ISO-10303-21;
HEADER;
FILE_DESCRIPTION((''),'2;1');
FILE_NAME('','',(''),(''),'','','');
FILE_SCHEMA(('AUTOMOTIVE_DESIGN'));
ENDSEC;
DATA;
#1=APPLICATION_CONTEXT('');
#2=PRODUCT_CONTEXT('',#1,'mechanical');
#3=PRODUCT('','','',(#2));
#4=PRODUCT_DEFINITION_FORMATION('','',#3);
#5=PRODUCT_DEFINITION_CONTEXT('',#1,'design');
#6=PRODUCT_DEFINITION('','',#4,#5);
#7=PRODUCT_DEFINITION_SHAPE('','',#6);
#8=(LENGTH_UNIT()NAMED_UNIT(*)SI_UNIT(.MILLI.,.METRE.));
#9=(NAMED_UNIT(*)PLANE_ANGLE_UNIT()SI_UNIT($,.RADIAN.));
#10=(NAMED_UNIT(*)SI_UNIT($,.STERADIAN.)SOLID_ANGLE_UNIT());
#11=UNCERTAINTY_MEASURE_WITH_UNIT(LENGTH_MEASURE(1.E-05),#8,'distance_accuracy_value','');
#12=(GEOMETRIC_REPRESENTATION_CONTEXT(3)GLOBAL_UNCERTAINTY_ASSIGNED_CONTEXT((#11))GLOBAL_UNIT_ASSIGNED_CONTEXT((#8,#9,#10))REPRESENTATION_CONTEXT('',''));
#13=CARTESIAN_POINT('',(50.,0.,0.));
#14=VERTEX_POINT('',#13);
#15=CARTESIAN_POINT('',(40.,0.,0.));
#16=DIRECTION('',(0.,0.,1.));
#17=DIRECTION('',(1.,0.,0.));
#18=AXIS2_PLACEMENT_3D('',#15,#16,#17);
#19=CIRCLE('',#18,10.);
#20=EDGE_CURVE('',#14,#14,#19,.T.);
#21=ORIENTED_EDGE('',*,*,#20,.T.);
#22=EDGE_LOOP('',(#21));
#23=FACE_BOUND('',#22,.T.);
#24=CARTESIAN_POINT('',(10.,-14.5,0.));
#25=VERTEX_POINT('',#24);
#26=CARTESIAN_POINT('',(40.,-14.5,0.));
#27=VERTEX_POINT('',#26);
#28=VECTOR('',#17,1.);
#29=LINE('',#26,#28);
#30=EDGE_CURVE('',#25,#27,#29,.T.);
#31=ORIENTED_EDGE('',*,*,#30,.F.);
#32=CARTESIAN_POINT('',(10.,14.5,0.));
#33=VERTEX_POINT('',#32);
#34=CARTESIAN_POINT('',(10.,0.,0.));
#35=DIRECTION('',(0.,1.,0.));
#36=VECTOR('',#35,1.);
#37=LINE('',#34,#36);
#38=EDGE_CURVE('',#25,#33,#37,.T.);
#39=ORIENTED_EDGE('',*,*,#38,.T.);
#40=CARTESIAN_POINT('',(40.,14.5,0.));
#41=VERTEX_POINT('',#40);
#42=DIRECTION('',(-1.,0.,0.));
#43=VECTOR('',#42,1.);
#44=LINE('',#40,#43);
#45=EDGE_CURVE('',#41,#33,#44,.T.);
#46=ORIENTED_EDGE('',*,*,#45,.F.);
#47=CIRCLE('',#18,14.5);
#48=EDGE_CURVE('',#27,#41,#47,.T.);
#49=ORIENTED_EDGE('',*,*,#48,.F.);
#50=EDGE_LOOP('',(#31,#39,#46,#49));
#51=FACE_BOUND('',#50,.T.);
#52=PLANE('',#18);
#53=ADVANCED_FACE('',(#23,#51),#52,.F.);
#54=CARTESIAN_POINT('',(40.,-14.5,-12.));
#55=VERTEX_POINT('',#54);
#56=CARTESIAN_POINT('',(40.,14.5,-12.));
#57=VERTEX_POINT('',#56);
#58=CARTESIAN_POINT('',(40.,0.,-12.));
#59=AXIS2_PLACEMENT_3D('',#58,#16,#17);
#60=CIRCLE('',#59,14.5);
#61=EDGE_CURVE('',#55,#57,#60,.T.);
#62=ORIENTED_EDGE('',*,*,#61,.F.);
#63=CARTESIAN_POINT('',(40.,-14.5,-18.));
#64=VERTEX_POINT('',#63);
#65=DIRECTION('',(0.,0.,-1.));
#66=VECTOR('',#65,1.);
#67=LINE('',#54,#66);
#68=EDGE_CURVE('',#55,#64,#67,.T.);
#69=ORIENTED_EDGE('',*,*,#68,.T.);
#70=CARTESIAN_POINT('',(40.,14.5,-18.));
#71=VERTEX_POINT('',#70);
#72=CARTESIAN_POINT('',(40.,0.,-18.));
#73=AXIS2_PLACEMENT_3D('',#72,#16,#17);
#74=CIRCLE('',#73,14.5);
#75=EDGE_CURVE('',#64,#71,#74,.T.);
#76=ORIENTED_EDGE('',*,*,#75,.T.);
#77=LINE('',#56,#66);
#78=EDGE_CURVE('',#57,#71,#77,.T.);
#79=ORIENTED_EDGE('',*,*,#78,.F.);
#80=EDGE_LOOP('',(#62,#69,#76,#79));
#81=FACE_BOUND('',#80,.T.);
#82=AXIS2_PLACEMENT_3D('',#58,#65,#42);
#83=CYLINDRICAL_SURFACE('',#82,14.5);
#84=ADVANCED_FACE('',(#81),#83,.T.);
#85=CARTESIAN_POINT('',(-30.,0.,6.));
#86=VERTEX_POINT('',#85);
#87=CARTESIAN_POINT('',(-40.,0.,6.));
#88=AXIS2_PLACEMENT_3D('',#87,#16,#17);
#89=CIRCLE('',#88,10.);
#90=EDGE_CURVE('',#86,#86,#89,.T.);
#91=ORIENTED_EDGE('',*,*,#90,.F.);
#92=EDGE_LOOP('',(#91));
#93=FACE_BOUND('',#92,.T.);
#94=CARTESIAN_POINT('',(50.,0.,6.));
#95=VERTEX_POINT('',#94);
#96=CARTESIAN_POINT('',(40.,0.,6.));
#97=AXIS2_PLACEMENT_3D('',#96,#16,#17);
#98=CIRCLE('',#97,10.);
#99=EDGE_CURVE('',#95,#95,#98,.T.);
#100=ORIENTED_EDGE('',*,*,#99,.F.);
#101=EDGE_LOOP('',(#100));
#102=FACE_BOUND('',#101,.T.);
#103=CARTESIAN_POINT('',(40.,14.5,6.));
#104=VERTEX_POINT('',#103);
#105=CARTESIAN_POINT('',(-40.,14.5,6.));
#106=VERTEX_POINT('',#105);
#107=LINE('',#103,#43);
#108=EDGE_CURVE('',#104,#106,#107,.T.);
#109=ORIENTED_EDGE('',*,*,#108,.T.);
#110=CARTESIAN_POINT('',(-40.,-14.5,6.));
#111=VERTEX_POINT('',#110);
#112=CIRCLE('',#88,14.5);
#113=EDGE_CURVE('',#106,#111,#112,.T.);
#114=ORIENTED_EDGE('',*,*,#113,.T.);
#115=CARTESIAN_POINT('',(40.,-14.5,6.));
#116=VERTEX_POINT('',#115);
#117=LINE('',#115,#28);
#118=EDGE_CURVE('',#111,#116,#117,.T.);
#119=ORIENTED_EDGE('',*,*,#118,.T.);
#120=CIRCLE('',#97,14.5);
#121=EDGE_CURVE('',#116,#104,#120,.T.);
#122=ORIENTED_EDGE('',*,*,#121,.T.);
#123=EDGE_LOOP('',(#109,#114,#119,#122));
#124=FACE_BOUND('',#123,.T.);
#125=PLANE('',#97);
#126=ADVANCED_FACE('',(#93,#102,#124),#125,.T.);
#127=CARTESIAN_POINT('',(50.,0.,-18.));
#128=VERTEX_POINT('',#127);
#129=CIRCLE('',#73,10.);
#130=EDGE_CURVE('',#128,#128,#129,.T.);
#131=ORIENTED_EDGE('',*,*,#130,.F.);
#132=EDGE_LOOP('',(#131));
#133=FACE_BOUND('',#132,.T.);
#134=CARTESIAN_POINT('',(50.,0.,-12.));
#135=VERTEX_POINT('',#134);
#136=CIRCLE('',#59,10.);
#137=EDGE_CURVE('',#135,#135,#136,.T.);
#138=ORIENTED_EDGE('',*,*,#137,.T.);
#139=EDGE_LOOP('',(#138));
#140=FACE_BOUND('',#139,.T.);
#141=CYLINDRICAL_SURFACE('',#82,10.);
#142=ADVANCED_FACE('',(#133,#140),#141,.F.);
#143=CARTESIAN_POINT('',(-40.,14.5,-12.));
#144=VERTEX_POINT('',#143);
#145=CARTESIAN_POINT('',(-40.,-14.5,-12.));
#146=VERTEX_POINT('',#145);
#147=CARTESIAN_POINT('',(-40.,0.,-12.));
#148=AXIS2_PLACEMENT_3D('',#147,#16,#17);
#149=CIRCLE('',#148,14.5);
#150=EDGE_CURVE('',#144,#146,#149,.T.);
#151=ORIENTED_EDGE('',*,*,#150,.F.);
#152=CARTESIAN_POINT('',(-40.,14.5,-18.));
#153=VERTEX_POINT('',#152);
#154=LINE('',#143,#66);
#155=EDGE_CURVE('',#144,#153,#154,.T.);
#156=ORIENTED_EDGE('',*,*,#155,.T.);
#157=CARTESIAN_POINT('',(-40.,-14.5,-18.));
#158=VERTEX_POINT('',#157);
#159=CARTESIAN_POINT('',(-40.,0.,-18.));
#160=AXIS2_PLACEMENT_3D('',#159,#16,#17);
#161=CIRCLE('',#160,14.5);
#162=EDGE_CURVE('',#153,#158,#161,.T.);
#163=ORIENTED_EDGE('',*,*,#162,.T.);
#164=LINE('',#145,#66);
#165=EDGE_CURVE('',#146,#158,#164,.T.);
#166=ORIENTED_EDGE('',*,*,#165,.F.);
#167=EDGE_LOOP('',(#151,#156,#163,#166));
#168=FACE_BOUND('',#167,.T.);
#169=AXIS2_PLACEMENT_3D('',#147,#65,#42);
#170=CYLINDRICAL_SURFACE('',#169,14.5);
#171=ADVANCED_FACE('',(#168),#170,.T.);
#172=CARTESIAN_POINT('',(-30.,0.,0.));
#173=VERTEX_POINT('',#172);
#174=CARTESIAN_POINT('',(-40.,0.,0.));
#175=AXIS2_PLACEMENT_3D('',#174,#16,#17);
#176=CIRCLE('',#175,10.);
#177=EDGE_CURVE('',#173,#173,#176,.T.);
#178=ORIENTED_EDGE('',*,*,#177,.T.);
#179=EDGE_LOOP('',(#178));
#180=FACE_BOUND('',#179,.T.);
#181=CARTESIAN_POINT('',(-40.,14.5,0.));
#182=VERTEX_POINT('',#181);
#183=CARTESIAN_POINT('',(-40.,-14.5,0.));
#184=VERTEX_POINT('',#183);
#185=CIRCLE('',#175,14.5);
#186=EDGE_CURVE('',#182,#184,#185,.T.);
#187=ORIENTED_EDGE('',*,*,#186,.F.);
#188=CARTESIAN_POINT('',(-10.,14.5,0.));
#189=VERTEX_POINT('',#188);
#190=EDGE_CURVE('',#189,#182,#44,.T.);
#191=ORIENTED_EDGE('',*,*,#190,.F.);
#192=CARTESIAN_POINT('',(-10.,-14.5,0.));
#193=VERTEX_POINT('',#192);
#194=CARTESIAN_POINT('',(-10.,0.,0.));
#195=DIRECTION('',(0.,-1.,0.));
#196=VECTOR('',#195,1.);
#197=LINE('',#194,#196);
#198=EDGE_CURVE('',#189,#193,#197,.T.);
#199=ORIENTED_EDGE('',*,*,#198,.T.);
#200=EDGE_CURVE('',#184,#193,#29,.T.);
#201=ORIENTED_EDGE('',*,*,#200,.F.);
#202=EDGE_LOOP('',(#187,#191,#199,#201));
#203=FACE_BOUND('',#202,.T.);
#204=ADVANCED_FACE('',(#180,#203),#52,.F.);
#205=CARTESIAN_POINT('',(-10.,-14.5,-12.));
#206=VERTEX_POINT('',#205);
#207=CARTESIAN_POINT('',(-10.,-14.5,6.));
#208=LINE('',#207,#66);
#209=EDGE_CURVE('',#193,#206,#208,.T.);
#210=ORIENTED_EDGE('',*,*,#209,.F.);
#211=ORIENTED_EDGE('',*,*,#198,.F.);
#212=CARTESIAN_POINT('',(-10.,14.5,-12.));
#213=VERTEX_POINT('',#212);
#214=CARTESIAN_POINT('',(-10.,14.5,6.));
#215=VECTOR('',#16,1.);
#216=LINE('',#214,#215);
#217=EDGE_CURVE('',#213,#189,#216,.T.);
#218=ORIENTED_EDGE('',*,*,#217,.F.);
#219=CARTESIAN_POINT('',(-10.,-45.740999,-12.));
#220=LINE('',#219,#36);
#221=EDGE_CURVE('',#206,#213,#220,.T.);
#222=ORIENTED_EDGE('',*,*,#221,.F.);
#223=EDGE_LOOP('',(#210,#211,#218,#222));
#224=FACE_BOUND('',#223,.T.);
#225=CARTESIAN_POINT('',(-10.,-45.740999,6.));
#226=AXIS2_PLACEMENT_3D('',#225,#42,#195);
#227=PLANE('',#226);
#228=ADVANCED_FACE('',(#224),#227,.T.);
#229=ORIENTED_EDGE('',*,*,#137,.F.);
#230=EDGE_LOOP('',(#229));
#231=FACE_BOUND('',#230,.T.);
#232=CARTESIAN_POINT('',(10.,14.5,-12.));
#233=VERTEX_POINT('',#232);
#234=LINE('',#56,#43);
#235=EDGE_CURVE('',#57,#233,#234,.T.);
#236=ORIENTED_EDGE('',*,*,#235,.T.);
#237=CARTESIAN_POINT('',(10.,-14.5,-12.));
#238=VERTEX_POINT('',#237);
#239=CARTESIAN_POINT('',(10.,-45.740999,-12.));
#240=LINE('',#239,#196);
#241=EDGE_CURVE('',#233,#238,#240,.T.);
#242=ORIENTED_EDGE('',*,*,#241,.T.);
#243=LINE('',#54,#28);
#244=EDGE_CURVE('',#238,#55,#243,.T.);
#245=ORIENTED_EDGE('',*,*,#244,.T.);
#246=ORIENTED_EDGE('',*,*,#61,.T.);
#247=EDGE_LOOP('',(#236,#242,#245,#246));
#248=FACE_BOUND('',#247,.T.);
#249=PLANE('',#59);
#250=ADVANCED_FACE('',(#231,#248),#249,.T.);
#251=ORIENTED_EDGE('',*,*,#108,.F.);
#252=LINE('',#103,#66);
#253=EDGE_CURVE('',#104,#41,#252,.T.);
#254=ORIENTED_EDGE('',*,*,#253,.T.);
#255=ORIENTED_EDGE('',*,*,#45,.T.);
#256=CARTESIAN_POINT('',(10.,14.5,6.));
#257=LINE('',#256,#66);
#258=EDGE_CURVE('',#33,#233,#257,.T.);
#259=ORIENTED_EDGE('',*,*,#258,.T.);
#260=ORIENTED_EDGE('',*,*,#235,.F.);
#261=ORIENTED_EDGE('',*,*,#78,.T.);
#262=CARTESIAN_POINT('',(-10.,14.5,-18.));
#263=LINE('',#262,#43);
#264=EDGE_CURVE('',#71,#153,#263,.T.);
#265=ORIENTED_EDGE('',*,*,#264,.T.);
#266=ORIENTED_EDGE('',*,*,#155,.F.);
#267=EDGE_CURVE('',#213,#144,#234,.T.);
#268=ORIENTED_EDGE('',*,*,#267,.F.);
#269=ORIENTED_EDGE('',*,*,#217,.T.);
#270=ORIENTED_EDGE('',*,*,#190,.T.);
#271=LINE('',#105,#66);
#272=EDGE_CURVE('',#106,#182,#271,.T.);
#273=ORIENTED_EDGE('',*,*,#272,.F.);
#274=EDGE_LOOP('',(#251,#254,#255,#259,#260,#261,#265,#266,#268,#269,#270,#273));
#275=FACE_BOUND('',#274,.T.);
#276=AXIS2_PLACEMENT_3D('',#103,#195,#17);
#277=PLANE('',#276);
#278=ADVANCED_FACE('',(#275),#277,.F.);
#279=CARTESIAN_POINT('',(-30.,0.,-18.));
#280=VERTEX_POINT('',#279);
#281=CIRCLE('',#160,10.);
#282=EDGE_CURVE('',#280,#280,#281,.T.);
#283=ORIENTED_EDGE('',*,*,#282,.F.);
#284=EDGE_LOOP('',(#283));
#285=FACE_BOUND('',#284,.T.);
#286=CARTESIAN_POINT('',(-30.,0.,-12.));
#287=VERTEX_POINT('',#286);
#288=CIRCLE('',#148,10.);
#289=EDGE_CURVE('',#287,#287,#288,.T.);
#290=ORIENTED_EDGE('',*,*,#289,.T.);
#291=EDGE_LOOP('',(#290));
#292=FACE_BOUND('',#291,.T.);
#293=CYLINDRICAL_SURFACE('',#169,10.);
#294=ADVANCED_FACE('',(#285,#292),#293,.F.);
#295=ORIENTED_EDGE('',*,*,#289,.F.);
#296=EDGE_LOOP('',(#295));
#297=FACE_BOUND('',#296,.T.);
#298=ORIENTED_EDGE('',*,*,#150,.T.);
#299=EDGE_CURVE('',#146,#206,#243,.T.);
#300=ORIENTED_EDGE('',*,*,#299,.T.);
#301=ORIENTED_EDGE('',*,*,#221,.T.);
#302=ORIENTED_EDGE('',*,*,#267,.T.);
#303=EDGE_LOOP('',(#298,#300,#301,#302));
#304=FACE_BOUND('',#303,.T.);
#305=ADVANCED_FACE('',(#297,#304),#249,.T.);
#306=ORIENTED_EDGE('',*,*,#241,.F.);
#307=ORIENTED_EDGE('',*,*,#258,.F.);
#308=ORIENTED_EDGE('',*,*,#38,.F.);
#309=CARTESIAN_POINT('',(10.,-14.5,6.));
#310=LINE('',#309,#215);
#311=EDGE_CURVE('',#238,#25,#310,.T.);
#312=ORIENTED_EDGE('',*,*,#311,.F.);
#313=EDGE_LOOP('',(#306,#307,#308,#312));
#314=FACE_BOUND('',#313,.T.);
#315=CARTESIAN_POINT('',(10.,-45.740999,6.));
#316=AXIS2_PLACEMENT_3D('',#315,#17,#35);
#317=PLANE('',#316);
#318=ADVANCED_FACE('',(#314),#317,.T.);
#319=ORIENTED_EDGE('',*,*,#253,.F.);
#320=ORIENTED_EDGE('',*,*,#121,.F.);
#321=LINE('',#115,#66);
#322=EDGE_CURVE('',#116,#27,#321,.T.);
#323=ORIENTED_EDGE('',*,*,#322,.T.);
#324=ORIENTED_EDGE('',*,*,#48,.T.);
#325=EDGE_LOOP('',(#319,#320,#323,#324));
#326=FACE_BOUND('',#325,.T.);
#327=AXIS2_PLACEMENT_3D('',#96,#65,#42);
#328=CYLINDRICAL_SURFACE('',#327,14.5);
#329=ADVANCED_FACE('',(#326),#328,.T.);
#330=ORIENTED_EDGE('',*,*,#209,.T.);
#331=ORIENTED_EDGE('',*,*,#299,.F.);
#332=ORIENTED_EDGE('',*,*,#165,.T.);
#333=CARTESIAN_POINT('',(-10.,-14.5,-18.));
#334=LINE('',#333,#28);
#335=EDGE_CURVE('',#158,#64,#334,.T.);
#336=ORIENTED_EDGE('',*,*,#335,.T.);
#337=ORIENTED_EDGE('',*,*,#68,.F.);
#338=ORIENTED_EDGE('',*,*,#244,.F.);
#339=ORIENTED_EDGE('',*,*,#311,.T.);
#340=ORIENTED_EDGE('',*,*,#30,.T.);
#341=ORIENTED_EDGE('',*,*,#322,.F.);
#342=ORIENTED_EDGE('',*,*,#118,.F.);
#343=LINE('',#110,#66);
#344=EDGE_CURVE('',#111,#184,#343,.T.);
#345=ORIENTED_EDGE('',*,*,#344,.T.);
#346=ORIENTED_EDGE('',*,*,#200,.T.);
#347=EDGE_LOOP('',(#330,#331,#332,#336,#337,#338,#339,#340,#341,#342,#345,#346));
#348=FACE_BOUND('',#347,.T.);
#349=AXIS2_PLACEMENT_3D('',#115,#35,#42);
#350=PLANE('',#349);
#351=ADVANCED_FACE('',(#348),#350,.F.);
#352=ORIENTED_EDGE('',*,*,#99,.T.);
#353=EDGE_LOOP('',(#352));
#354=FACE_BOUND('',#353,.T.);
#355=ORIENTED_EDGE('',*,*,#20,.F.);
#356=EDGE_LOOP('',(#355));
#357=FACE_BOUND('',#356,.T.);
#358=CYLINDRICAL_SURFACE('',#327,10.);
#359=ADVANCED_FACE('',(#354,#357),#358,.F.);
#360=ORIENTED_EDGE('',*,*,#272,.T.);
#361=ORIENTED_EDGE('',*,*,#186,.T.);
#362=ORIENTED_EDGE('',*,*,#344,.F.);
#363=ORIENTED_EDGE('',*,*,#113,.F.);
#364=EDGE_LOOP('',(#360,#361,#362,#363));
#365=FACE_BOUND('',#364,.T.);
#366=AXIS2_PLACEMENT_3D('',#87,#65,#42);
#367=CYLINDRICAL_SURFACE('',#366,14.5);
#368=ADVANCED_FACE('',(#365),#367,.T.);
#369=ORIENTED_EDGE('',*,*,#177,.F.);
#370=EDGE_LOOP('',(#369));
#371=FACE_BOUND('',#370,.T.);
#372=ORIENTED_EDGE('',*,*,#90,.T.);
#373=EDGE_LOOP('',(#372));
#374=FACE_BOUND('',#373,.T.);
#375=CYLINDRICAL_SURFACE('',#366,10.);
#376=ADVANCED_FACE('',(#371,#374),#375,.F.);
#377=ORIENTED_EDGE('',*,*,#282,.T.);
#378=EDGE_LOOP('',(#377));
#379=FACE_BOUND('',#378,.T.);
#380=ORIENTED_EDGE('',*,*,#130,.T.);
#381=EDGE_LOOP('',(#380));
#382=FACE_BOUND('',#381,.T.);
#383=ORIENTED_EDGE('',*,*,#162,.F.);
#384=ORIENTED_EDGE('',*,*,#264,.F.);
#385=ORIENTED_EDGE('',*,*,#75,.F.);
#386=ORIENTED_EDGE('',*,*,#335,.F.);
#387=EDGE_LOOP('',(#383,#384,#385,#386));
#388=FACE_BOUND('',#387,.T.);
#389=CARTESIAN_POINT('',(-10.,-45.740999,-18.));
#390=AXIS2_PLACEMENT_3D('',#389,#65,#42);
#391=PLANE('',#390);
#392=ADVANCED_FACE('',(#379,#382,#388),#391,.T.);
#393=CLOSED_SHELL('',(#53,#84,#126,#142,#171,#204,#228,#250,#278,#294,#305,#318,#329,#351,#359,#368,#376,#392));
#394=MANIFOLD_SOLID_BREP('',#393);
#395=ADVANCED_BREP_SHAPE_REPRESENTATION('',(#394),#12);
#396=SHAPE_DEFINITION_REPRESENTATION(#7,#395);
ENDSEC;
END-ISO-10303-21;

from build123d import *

# Parameters (mm, degrees)
SKETCH1_R           = 10
BOSS_EXTRUDE1_DEPTH = 6
BOSS_EXTRUDE2_START = -18
SKETCH1_2_R         = 10
BOSS_EXTRUDE2_DEPTH = 6
SKETCH4_W           = 20
SKETCH4_H           = 24
BOSS_EXTRUDE3_DEPTH = 29


with BuildPart() as part:
    # Sketch1 → Boss-Extrude1 (new body)
    with BuildSketch(Plane.XY):
        with BuildLine():
            Line((40, -14.5), (-40, -14.5))
            ThreePointArc((-40, -14.5), (-54.5, 0), (-40, 14.5))
            Line((-40, 14.5), (40, 14.5))
            ThreePointArc((40, 14.5), (54.5, 0), (40, -14.5))
        make_face()
        with Locations((-40, 0)):
            Circle(SKETCH1_R, mode=Mode.SUBTRACT)
        with Locations((40, 0)):
            Circle(SKETCH1_R, mode=Mode.SUBTRACT)
    extrude(amount=BOSS_EXTRUDE1_DEPTH)



with BuildPart() as body_2:
    # Sketch1_2 → Boss-Extrude2 (new body)
    with BuildSketch(Plane.XY.offset(BOSS_EXTRUDE2_START)):
        with BuildLine():
            Line((40, -14.5), (-40, -14.5))
            ThreePointArc((-40, -14.5), (-54.5, 0), (-40, 14.5))
            Line((-40, 14.5), (40, 14.5))
            ThreePointArc((40, 14.5), (54.5, 0), (40, -14.5))
        make_face()
        with Locations((-40, 0)):
            Circle(SKETCH1_2_R, mode=Mode.SUBTRACT)
        with Locations((40, 0)):
            Circle(SKETCH1_2_R, mode=Mode.SUBTRACT)
    extrude(amount=BOSS_EXTRUDE2_DEPTH)


with BuildPart() as part_1:
    add(part.part)

    add(body_2.part)  # Boss-Extrude3 merges body 2
    # Sketch4 → Boss-Extrude3 (add)
    with BuildSketch(Plane(origin=(0, 14.5, 0), x_dir=(1, 0, 0), z_dir=(0, 1, 0))):
        with Locations((0, 6)):
            Rectangle(SKETCH4_W, SKETCH4_H)
    extrude(amount=-BOSS_EXTRUDE3_DEPTH)


solid = part_1.part
